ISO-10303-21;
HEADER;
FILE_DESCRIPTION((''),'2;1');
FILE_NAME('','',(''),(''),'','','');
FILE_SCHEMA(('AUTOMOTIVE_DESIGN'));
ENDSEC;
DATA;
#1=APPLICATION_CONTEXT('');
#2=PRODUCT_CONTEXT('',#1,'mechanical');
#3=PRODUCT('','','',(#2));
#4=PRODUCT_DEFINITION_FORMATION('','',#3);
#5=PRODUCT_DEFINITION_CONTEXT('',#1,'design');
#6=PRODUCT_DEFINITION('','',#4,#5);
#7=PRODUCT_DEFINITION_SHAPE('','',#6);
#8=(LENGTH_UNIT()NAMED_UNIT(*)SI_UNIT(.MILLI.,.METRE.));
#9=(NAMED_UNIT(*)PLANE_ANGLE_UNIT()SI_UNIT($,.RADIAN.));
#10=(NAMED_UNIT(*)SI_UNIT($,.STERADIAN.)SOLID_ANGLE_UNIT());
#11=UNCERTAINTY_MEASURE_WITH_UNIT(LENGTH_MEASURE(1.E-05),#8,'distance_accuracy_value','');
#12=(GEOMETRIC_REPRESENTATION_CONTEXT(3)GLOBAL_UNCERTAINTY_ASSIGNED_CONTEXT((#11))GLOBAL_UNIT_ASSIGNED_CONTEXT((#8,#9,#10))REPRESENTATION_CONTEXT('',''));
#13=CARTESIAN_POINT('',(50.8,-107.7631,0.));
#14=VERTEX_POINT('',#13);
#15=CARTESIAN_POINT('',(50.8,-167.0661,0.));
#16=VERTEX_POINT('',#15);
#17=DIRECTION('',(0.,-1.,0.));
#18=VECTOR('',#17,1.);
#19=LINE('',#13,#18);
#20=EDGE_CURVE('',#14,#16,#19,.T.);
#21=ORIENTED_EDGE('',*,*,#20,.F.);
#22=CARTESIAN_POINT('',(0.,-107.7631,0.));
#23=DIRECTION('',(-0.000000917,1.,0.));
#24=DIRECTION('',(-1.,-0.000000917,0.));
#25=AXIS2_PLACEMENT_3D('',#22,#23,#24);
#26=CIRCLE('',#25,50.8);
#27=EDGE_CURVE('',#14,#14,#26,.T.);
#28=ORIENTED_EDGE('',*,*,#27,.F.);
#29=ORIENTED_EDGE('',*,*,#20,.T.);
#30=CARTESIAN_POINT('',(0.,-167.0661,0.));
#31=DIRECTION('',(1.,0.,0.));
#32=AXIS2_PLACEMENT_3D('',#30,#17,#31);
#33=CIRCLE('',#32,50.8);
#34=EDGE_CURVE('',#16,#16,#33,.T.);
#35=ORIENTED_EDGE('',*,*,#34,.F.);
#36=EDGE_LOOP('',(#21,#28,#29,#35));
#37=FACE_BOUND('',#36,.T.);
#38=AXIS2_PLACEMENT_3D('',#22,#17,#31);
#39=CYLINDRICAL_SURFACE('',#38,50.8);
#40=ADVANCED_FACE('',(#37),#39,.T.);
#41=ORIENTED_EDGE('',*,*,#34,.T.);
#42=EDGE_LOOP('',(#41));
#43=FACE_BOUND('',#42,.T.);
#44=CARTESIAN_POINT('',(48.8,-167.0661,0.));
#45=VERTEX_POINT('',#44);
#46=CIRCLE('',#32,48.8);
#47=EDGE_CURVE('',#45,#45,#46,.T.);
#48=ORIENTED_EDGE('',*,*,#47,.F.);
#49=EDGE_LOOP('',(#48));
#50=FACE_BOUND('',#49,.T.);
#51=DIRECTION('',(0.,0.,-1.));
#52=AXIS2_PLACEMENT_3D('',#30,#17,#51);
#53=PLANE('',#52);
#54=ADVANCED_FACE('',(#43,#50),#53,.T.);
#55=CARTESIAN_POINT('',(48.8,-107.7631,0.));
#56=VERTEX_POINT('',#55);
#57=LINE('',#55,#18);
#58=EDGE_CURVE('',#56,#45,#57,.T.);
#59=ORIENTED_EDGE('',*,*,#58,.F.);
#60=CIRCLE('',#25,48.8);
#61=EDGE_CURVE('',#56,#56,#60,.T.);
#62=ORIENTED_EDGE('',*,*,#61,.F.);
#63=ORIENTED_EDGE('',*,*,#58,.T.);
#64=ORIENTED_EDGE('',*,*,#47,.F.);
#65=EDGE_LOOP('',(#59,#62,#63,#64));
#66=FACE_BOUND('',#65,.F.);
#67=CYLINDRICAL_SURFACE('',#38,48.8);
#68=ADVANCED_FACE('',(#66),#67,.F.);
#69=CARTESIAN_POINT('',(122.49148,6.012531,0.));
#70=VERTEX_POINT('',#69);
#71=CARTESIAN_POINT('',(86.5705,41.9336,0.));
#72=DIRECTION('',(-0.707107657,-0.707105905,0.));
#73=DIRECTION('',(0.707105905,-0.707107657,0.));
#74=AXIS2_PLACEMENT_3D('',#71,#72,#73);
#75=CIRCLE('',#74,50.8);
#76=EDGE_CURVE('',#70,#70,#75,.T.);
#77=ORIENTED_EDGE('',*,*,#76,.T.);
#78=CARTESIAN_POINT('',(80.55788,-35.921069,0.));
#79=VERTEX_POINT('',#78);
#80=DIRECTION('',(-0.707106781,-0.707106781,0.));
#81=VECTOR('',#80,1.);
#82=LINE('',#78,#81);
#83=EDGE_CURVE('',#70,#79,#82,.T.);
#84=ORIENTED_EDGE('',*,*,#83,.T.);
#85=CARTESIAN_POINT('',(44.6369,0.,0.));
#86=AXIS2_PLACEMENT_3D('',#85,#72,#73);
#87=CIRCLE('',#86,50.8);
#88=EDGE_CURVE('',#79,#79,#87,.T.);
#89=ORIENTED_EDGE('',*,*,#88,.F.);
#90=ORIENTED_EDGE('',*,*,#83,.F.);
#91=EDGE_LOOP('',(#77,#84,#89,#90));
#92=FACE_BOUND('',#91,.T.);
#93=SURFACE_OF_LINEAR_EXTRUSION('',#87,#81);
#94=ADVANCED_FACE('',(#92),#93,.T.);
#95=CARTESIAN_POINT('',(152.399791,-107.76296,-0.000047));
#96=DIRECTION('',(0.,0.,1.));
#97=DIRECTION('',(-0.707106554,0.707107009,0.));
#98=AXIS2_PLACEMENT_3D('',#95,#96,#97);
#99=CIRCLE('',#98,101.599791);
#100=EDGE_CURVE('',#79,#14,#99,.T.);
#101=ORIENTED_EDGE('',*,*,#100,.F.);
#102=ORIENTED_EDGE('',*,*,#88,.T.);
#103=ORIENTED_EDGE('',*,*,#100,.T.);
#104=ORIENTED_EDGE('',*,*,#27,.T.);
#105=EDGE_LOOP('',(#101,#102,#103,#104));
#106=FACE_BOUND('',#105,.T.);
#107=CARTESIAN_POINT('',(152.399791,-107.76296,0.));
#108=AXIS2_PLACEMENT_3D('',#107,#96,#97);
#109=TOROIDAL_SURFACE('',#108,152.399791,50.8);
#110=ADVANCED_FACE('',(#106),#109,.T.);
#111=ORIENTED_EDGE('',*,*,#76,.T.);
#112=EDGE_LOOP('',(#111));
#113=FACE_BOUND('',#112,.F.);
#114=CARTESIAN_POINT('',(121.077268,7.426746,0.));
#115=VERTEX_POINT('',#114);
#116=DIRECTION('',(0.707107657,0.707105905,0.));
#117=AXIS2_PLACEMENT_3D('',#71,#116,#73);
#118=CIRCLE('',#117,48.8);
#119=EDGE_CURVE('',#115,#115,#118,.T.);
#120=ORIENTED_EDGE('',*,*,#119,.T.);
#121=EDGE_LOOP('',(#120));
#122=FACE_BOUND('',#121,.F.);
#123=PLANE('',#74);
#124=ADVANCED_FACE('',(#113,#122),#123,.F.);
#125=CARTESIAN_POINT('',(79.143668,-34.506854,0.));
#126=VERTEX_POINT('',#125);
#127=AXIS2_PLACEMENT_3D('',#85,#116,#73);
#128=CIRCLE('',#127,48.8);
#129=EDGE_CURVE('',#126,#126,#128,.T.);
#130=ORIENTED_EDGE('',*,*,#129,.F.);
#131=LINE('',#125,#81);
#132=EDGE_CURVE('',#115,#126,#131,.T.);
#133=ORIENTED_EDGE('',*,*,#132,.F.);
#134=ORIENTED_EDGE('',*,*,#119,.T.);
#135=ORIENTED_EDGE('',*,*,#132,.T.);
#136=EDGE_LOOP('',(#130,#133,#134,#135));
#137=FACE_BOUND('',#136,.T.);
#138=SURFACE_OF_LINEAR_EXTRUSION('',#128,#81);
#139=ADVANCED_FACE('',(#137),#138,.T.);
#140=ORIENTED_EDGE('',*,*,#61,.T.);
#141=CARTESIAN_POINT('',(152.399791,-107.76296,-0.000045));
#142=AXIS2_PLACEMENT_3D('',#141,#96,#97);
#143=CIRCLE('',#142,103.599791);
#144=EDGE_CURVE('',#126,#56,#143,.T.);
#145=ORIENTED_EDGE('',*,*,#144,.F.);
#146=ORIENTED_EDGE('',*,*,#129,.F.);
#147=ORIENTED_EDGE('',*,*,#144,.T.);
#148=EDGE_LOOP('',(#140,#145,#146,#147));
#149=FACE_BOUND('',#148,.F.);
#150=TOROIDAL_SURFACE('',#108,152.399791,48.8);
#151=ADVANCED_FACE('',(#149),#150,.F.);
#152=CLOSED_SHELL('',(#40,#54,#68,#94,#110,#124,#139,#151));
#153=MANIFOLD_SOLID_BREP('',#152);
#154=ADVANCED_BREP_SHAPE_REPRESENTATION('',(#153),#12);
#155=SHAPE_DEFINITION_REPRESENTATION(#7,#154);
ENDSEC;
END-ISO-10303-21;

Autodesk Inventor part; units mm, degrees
ref_plane "YZ Plane" through (0, 0, 0) normal (1, 0, 0) x (0, 1, 0)
ref_plane "XZ Plane" through (0, 0, 0) normal (0, 1, 0) x (-1, 0, 0)
sketch "Szkic6" plane through (0, 0, 0) normal (0, 0, 1) x (1, 0, 0)
  line L0 (-29.6067, 0) -> (35.2678, 0) construction
  line L1 (0, 42.3419) -> (0, -58.3726) construction
  arc A0 (44.6369, 0) -> (0, -107.7631) centre (152.4, -107.7631) ccw
  line L2 (0, -107.7631) -> (152.4, -107.7631) construction
  line L3 (152.4, -107.7631) -> (106.0611, -61.4242) construction
  line L4 (44.6369, 0) -> (86.5705, 41.9336)
  line L5 (0, -107.7631) -> (0, -167.0661)
  point P0 (0, 0)
  dimension "d24" = 152.4
  dimension "d31" = 45
  dimension "d36" = 59.303
  dimension "d37" = 59.303
ref_plane "Płaszczyzna konstrukcyjna2" through (0, -107.7631, 0) normal (0, -1, 0) x (1, 0, 0)
sketch "Szkic8" plane through (0, -107.7631, 0) normal (0, -1, 0) x (1, 0, 0)
  circle A0 centre (0, 0) radius 50.8
  circle A1 centre (0, 0) radius 48.8
  dimension "d32" = 101.6
  dimension "d33" = 2
sweep "Przeciągnięcie2" add profiles "Szkic8" path "Szkic6"
equation "\"d32\" = OD"
equation "\"d33\" = THK"
equation "\"d24\" = R"
equation "\"d31\" = KAT"
equation "\"d36\" = PROSTKA"
equation "\"d37\" = PROSTKA"
equation "\"SzerokośćGięciaPodcięcia\" = Grubość"
equation "\"RozmiarPodcięciaNarożnika\" = 4 * Grubość"
equation "\"PromieńPrzejścia\" = PromieńGięcia"
equation "\"Rozmiar_promienia_Jacobiego\" = PromieńGięcia"
equation "\"Wielk_odstępu\" = Grubość"
equation "\"d2\" = PromieńGięcia"
equation "\"d23\" = PromieńGięcia"
equation "\"R\" = 152.4"
equation "\"OD\" = 101.6"
equation "\"THK\" = 2"
equation "\"KAT\" = 45deg"
equation "\"PROSTKA\" = 59.303"
equation "\"Grubość\" = 1.5"
equation "\"PromieńGięcia\" = 3"
properties part number "Kolano 45° ø101,6x2 R152,4" material "304L"
